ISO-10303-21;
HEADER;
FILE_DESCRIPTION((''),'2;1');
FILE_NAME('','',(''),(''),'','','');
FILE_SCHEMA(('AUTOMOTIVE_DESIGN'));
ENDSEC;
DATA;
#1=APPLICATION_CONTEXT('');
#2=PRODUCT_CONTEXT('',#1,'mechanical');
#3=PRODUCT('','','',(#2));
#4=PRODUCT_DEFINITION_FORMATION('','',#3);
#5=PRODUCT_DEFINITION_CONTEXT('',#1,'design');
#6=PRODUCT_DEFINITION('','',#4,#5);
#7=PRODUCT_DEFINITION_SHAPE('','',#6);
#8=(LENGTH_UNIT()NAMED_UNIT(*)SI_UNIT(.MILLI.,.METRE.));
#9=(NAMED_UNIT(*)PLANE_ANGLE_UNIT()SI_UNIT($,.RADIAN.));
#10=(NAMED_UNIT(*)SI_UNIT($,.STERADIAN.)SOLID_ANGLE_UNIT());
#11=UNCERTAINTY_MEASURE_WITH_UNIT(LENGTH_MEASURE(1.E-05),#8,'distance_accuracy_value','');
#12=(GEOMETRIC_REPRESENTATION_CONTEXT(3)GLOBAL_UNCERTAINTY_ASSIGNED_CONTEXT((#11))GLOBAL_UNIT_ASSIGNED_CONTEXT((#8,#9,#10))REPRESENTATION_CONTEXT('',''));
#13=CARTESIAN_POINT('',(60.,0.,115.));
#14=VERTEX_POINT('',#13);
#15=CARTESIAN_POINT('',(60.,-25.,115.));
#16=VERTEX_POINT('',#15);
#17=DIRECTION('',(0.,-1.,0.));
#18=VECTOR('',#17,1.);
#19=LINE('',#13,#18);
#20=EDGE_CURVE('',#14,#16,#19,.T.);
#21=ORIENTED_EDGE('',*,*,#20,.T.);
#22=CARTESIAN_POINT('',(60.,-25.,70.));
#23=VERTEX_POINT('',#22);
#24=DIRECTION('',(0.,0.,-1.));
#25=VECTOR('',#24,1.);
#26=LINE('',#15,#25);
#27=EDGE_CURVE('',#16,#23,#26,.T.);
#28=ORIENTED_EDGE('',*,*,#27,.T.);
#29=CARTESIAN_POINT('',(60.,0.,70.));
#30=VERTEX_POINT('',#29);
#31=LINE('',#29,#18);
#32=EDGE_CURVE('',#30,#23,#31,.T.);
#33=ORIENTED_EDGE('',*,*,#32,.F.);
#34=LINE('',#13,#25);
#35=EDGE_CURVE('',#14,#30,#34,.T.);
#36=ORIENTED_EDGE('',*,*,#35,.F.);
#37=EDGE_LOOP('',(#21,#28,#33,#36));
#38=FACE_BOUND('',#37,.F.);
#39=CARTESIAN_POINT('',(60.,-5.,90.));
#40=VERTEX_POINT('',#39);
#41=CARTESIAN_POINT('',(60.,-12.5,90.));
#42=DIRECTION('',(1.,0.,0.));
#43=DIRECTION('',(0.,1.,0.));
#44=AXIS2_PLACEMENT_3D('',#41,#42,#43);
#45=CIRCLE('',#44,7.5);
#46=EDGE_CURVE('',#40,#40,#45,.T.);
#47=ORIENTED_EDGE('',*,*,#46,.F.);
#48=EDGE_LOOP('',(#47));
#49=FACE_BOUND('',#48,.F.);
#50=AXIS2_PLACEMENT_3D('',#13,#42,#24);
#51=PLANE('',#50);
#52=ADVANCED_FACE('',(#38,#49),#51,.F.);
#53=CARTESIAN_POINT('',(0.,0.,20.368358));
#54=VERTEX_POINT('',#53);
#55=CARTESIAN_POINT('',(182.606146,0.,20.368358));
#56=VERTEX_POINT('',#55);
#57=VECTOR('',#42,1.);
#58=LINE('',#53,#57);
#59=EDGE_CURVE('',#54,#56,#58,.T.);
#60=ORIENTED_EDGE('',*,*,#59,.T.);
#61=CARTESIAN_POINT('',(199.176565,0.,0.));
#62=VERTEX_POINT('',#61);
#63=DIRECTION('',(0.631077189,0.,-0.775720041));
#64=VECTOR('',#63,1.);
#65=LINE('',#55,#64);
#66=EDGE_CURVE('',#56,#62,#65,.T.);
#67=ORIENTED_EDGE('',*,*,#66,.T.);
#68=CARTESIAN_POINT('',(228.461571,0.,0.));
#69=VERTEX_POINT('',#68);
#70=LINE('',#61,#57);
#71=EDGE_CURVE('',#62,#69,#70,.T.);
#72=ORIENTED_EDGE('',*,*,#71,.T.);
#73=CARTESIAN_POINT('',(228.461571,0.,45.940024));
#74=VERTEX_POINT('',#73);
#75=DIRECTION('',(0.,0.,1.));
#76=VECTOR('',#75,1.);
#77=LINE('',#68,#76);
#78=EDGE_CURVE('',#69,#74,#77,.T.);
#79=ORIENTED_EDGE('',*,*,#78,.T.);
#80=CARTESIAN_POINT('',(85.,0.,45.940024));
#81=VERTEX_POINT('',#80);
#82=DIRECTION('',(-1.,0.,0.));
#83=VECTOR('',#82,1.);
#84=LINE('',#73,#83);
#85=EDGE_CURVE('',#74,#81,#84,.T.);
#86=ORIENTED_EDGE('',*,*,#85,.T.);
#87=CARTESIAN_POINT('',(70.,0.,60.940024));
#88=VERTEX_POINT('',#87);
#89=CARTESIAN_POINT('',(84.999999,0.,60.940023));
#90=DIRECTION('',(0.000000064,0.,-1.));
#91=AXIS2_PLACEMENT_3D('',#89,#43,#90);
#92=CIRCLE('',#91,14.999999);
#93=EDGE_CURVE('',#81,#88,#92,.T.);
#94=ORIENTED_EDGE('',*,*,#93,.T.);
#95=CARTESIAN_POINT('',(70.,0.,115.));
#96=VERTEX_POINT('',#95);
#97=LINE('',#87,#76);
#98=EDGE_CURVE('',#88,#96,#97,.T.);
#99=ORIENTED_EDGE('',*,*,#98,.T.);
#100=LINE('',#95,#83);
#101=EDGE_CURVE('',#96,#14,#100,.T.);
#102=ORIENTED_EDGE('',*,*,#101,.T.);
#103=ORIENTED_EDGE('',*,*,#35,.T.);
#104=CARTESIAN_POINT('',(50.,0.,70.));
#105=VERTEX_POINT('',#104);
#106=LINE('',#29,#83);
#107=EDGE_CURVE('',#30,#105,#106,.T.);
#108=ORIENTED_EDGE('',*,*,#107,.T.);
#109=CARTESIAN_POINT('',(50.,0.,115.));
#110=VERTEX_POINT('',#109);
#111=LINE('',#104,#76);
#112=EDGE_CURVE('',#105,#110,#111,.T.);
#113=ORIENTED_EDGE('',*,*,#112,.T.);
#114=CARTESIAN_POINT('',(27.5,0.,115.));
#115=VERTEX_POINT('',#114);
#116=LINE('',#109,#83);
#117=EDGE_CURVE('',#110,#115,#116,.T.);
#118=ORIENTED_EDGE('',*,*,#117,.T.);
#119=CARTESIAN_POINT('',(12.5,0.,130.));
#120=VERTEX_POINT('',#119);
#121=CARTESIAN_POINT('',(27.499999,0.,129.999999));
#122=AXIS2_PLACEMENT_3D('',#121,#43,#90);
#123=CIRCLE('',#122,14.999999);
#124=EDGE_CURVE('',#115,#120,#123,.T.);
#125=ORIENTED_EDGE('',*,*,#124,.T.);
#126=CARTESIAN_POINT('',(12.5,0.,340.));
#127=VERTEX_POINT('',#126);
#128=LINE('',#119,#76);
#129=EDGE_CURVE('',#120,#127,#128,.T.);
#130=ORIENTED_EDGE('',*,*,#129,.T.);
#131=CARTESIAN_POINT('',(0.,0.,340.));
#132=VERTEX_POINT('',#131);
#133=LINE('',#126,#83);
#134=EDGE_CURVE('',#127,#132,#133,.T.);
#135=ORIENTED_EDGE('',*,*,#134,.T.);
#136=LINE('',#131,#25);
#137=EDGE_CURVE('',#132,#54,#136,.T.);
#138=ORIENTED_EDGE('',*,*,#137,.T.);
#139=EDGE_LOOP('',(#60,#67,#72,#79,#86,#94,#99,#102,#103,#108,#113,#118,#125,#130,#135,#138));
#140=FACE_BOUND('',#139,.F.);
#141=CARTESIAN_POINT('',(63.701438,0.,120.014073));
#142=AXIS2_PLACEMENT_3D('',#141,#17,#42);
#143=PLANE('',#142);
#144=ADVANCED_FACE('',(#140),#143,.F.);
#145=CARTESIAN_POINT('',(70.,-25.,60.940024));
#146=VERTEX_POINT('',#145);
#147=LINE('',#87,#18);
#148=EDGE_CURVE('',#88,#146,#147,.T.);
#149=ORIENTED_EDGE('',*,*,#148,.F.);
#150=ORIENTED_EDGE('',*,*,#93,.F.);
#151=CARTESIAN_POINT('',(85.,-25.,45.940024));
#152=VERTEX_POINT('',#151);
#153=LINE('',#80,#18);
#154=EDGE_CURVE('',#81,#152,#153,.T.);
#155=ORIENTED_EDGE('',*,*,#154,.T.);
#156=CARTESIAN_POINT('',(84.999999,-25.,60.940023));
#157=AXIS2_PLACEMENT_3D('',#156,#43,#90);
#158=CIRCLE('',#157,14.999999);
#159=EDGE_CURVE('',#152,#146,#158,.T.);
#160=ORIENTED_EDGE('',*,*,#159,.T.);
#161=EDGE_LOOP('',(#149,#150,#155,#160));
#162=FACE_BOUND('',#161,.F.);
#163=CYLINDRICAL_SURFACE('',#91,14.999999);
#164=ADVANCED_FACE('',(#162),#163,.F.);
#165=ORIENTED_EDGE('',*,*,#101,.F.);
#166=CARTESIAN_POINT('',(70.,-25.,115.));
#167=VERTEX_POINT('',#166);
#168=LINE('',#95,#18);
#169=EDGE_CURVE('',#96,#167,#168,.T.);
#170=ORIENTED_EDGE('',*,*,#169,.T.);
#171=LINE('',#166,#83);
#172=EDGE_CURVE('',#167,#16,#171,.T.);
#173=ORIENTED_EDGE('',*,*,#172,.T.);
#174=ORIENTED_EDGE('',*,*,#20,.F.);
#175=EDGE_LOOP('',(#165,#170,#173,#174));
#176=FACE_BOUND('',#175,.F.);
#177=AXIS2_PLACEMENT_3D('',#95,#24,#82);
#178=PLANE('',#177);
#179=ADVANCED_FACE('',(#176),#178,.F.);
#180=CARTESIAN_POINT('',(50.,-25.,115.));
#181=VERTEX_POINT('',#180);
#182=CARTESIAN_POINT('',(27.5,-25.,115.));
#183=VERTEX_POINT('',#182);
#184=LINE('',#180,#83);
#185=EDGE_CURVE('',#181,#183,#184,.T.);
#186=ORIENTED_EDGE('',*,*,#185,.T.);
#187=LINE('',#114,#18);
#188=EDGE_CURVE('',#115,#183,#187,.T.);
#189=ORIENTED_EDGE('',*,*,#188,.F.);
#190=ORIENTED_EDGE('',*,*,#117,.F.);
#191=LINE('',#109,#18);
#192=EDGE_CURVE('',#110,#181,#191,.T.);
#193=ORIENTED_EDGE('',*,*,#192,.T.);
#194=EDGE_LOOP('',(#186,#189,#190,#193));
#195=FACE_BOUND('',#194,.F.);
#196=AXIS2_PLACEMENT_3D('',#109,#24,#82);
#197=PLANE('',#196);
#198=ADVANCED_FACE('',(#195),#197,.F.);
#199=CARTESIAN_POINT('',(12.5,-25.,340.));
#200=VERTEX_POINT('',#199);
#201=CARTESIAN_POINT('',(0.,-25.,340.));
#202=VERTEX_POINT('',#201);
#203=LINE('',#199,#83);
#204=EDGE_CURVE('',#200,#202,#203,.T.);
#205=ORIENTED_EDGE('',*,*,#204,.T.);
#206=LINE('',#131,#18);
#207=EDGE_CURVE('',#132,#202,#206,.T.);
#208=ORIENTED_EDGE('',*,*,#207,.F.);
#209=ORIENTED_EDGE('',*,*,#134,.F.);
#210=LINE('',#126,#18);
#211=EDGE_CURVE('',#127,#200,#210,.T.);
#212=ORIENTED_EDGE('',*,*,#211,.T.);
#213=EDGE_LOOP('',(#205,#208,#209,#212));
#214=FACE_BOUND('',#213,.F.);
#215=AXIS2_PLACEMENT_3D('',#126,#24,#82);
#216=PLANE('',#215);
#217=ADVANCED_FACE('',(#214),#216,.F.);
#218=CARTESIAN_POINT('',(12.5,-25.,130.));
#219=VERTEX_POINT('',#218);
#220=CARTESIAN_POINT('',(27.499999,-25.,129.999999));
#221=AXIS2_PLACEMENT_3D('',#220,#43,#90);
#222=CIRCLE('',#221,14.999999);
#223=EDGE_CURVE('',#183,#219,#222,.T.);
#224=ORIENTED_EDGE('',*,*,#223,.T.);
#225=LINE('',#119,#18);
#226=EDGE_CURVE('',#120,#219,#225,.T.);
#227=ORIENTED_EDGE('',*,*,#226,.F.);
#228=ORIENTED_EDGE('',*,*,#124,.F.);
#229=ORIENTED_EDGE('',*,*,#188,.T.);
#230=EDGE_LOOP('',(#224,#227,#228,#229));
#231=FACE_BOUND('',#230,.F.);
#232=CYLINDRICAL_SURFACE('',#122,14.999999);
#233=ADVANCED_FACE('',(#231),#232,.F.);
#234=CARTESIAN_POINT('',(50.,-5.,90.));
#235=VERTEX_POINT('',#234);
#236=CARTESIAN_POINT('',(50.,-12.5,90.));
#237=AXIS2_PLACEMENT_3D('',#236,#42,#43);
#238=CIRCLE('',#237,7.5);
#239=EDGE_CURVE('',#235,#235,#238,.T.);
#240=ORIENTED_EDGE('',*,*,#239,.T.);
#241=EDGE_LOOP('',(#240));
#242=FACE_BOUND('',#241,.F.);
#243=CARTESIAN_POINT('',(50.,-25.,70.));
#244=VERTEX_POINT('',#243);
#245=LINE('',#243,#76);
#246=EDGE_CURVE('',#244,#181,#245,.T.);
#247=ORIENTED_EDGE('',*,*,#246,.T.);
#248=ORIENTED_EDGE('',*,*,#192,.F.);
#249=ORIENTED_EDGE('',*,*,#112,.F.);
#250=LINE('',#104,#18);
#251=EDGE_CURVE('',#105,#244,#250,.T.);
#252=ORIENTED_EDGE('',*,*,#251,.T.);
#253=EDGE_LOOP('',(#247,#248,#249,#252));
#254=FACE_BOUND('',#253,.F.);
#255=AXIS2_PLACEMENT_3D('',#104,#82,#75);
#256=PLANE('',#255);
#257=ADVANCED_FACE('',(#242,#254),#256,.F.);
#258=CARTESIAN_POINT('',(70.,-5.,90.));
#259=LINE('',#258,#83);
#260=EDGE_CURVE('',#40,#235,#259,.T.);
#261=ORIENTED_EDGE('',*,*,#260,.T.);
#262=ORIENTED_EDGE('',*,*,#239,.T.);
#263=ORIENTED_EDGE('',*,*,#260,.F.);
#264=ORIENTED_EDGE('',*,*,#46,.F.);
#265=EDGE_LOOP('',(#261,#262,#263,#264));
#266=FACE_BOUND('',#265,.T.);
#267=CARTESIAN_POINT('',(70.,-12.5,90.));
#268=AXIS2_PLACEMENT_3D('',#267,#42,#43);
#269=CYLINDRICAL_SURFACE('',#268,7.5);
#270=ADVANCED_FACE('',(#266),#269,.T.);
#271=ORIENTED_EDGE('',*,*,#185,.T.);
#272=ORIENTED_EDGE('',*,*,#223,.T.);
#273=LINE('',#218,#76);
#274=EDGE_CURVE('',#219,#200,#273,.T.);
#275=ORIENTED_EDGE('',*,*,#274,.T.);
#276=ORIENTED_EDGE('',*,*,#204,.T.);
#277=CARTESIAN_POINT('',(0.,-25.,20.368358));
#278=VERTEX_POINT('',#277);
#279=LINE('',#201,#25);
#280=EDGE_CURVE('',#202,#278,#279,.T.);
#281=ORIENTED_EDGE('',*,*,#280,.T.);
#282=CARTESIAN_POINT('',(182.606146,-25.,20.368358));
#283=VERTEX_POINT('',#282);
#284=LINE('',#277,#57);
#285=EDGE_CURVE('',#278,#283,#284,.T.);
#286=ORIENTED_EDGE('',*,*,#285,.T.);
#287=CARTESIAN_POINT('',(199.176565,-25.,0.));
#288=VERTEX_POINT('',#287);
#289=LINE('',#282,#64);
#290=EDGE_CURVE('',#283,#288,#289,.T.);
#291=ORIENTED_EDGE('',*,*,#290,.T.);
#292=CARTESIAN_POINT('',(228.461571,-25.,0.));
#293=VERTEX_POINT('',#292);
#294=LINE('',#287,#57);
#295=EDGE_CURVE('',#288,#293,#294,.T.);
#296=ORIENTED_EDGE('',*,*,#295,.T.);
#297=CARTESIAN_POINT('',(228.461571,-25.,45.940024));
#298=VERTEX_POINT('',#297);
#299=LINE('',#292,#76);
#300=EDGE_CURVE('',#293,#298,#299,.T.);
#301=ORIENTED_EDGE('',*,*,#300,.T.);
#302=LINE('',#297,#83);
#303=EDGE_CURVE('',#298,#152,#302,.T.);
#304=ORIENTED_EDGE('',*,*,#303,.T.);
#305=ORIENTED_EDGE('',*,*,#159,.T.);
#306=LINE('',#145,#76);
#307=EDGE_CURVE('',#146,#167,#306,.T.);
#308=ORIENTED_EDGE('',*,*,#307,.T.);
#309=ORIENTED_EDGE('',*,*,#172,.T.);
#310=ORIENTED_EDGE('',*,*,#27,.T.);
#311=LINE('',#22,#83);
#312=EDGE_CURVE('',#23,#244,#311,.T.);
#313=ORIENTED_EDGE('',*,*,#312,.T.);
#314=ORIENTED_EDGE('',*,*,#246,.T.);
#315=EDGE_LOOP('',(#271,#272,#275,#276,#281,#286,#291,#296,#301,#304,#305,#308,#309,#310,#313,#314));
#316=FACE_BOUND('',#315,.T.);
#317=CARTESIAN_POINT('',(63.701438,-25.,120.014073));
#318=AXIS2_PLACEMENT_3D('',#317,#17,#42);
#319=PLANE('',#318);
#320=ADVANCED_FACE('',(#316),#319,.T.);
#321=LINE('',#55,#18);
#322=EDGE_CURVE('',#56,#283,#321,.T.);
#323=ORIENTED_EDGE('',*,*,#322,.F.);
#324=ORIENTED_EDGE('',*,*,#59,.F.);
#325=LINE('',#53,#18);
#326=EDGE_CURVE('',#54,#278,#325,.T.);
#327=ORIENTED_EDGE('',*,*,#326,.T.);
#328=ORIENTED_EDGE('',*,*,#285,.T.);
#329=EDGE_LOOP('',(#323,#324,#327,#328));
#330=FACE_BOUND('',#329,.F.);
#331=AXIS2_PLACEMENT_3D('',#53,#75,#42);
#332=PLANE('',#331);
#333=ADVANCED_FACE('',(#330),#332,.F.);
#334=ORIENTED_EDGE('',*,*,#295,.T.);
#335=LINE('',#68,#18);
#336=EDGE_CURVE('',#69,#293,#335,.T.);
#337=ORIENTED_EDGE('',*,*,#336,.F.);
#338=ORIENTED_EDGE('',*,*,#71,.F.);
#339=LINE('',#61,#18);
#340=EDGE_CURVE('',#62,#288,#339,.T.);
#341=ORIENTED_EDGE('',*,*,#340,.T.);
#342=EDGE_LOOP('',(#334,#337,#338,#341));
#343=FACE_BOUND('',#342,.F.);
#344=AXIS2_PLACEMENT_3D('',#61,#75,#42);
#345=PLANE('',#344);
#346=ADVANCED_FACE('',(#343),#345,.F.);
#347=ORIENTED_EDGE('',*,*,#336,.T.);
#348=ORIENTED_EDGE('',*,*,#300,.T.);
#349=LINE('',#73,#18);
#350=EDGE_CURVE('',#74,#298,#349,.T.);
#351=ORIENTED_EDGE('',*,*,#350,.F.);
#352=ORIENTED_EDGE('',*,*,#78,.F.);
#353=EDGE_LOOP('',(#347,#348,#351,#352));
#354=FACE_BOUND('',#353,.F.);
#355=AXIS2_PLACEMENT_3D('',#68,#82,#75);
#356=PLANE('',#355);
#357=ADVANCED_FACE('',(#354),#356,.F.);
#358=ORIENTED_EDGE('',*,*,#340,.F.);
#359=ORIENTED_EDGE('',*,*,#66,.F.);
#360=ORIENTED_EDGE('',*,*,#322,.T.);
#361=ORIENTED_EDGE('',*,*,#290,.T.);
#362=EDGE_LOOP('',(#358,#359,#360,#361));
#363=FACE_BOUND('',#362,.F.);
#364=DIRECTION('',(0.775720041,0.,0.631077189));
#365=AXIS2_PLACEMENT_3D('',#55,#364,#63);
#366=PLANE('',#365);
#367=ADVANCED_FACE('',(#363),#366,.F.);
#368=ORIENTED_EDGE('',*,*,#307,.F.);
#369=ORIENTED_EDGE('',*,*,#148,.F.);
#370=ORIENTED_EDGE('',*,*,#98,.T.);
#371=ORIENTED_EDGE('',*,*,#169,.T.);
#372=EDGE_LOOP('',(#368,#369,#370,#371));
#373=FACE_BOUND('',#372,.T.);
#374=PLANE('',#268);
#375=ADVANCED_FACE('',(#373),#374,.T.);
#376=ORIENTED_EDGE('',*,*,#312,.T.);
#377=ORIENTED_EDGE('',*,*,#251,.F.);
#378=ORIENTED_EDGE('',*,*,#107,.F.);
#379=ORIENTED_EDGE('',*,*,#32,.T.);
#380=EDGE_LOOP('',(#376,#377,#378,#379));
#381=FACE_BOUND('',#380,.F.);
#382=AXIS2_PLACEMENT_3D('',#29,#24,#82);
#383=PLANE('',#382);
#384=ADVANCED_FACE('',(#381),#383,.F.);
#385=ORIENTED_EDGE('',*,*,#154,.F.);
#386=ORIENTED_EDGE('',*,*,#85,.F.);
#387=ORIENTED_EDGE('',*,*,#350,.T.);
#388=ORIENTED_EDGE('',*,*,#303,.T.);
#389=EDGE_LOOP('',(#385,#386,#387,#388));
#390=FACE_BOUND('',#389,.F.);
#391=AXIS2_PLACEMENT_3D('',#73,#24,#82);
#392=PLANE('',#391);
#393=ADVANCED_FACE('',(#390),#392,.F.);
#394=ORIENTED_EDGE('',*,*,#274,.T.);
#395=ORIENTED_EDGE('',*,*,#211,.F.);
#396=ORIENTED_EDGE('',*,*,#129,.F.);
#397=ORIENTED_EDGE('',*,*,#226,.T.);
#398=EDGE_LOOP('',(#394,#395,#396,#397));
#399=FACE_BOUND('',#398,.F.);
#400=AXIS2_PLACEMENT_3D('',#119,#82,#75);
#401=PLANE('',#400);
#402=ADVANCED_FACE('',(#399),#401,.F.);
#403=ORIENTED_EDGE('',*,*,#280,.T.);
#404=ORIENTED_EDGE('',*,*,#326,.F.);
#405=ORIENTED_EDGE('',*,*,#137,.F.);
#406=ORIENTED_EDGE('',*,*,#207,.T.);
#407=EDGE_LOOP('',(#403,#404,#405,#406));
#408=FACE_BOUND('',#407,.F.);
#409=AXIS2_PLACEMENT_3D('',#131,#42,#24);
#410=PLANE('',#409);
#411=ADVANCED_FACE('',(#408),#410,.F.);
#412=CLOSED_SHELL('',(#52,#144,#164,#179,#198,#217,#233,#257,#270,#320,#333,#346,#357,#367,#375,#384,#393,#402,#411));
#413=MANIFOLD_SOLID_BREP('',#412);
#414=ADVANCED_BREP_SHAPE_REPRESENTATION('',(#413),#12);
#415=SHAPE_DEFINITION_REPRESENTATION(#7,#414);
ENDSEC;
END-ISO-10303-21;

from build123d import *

# Parameters (mm, degrees)
F1_DEPTH = 25
F2_R     = 7.5
F3_DEPTH = 56


with BuildPart() as f1:
    # F0 (on Front) → F1 (new body)
    with BuildSketch(Plane.XZ):
        with BuildLine():
            Line((0, 340), (0, 20.368358))
            Line((0, 20.368358), (182.606146, 20.368358))
            Line((182.606146, 20.368358), (199.176565, 0))
            Line((199.176565, 0), (228.461571, 0))
            Line((228.461571, 0), (228.461571, 45.940024))
            Line((228.461571, 45.940024), (85, 45.940024))
            ThreePointArc((85, 45.940024), (74.393398, 50.333422), (70, 60.940024))
            Line((70, 60.940024), (70, 100))
            Line((70, 100), (70, 115))
            Line((70, 115), (60, 115))
            Line((60, 115), (60, 100))
            Line((60, 100), (60, 70))
            Line((60, 70), (50, 70))
            Line((50, 70), (50, 100))
            Line((50, 100), (50, 115))
            Line((50, 115), (27.5, 115))
            ThreePointArc((27.5, 115), (16.893398, 119.393398), (12.5, 130))
            Line((12.5, 130), (12.5, 340))
            Line((12.5, 340), (0, 340))
        make_face()
    extrude(amount=F1_DEPTH)

    # F2 (on face) → F3 (join)
    with BuildSketch(Plane.YZ.offset(70)):
        with Locations((-12.5, 90)):
            Circle(F2_R)
    extrude(amount=-F3_DEPTH)


solid = f1.part
